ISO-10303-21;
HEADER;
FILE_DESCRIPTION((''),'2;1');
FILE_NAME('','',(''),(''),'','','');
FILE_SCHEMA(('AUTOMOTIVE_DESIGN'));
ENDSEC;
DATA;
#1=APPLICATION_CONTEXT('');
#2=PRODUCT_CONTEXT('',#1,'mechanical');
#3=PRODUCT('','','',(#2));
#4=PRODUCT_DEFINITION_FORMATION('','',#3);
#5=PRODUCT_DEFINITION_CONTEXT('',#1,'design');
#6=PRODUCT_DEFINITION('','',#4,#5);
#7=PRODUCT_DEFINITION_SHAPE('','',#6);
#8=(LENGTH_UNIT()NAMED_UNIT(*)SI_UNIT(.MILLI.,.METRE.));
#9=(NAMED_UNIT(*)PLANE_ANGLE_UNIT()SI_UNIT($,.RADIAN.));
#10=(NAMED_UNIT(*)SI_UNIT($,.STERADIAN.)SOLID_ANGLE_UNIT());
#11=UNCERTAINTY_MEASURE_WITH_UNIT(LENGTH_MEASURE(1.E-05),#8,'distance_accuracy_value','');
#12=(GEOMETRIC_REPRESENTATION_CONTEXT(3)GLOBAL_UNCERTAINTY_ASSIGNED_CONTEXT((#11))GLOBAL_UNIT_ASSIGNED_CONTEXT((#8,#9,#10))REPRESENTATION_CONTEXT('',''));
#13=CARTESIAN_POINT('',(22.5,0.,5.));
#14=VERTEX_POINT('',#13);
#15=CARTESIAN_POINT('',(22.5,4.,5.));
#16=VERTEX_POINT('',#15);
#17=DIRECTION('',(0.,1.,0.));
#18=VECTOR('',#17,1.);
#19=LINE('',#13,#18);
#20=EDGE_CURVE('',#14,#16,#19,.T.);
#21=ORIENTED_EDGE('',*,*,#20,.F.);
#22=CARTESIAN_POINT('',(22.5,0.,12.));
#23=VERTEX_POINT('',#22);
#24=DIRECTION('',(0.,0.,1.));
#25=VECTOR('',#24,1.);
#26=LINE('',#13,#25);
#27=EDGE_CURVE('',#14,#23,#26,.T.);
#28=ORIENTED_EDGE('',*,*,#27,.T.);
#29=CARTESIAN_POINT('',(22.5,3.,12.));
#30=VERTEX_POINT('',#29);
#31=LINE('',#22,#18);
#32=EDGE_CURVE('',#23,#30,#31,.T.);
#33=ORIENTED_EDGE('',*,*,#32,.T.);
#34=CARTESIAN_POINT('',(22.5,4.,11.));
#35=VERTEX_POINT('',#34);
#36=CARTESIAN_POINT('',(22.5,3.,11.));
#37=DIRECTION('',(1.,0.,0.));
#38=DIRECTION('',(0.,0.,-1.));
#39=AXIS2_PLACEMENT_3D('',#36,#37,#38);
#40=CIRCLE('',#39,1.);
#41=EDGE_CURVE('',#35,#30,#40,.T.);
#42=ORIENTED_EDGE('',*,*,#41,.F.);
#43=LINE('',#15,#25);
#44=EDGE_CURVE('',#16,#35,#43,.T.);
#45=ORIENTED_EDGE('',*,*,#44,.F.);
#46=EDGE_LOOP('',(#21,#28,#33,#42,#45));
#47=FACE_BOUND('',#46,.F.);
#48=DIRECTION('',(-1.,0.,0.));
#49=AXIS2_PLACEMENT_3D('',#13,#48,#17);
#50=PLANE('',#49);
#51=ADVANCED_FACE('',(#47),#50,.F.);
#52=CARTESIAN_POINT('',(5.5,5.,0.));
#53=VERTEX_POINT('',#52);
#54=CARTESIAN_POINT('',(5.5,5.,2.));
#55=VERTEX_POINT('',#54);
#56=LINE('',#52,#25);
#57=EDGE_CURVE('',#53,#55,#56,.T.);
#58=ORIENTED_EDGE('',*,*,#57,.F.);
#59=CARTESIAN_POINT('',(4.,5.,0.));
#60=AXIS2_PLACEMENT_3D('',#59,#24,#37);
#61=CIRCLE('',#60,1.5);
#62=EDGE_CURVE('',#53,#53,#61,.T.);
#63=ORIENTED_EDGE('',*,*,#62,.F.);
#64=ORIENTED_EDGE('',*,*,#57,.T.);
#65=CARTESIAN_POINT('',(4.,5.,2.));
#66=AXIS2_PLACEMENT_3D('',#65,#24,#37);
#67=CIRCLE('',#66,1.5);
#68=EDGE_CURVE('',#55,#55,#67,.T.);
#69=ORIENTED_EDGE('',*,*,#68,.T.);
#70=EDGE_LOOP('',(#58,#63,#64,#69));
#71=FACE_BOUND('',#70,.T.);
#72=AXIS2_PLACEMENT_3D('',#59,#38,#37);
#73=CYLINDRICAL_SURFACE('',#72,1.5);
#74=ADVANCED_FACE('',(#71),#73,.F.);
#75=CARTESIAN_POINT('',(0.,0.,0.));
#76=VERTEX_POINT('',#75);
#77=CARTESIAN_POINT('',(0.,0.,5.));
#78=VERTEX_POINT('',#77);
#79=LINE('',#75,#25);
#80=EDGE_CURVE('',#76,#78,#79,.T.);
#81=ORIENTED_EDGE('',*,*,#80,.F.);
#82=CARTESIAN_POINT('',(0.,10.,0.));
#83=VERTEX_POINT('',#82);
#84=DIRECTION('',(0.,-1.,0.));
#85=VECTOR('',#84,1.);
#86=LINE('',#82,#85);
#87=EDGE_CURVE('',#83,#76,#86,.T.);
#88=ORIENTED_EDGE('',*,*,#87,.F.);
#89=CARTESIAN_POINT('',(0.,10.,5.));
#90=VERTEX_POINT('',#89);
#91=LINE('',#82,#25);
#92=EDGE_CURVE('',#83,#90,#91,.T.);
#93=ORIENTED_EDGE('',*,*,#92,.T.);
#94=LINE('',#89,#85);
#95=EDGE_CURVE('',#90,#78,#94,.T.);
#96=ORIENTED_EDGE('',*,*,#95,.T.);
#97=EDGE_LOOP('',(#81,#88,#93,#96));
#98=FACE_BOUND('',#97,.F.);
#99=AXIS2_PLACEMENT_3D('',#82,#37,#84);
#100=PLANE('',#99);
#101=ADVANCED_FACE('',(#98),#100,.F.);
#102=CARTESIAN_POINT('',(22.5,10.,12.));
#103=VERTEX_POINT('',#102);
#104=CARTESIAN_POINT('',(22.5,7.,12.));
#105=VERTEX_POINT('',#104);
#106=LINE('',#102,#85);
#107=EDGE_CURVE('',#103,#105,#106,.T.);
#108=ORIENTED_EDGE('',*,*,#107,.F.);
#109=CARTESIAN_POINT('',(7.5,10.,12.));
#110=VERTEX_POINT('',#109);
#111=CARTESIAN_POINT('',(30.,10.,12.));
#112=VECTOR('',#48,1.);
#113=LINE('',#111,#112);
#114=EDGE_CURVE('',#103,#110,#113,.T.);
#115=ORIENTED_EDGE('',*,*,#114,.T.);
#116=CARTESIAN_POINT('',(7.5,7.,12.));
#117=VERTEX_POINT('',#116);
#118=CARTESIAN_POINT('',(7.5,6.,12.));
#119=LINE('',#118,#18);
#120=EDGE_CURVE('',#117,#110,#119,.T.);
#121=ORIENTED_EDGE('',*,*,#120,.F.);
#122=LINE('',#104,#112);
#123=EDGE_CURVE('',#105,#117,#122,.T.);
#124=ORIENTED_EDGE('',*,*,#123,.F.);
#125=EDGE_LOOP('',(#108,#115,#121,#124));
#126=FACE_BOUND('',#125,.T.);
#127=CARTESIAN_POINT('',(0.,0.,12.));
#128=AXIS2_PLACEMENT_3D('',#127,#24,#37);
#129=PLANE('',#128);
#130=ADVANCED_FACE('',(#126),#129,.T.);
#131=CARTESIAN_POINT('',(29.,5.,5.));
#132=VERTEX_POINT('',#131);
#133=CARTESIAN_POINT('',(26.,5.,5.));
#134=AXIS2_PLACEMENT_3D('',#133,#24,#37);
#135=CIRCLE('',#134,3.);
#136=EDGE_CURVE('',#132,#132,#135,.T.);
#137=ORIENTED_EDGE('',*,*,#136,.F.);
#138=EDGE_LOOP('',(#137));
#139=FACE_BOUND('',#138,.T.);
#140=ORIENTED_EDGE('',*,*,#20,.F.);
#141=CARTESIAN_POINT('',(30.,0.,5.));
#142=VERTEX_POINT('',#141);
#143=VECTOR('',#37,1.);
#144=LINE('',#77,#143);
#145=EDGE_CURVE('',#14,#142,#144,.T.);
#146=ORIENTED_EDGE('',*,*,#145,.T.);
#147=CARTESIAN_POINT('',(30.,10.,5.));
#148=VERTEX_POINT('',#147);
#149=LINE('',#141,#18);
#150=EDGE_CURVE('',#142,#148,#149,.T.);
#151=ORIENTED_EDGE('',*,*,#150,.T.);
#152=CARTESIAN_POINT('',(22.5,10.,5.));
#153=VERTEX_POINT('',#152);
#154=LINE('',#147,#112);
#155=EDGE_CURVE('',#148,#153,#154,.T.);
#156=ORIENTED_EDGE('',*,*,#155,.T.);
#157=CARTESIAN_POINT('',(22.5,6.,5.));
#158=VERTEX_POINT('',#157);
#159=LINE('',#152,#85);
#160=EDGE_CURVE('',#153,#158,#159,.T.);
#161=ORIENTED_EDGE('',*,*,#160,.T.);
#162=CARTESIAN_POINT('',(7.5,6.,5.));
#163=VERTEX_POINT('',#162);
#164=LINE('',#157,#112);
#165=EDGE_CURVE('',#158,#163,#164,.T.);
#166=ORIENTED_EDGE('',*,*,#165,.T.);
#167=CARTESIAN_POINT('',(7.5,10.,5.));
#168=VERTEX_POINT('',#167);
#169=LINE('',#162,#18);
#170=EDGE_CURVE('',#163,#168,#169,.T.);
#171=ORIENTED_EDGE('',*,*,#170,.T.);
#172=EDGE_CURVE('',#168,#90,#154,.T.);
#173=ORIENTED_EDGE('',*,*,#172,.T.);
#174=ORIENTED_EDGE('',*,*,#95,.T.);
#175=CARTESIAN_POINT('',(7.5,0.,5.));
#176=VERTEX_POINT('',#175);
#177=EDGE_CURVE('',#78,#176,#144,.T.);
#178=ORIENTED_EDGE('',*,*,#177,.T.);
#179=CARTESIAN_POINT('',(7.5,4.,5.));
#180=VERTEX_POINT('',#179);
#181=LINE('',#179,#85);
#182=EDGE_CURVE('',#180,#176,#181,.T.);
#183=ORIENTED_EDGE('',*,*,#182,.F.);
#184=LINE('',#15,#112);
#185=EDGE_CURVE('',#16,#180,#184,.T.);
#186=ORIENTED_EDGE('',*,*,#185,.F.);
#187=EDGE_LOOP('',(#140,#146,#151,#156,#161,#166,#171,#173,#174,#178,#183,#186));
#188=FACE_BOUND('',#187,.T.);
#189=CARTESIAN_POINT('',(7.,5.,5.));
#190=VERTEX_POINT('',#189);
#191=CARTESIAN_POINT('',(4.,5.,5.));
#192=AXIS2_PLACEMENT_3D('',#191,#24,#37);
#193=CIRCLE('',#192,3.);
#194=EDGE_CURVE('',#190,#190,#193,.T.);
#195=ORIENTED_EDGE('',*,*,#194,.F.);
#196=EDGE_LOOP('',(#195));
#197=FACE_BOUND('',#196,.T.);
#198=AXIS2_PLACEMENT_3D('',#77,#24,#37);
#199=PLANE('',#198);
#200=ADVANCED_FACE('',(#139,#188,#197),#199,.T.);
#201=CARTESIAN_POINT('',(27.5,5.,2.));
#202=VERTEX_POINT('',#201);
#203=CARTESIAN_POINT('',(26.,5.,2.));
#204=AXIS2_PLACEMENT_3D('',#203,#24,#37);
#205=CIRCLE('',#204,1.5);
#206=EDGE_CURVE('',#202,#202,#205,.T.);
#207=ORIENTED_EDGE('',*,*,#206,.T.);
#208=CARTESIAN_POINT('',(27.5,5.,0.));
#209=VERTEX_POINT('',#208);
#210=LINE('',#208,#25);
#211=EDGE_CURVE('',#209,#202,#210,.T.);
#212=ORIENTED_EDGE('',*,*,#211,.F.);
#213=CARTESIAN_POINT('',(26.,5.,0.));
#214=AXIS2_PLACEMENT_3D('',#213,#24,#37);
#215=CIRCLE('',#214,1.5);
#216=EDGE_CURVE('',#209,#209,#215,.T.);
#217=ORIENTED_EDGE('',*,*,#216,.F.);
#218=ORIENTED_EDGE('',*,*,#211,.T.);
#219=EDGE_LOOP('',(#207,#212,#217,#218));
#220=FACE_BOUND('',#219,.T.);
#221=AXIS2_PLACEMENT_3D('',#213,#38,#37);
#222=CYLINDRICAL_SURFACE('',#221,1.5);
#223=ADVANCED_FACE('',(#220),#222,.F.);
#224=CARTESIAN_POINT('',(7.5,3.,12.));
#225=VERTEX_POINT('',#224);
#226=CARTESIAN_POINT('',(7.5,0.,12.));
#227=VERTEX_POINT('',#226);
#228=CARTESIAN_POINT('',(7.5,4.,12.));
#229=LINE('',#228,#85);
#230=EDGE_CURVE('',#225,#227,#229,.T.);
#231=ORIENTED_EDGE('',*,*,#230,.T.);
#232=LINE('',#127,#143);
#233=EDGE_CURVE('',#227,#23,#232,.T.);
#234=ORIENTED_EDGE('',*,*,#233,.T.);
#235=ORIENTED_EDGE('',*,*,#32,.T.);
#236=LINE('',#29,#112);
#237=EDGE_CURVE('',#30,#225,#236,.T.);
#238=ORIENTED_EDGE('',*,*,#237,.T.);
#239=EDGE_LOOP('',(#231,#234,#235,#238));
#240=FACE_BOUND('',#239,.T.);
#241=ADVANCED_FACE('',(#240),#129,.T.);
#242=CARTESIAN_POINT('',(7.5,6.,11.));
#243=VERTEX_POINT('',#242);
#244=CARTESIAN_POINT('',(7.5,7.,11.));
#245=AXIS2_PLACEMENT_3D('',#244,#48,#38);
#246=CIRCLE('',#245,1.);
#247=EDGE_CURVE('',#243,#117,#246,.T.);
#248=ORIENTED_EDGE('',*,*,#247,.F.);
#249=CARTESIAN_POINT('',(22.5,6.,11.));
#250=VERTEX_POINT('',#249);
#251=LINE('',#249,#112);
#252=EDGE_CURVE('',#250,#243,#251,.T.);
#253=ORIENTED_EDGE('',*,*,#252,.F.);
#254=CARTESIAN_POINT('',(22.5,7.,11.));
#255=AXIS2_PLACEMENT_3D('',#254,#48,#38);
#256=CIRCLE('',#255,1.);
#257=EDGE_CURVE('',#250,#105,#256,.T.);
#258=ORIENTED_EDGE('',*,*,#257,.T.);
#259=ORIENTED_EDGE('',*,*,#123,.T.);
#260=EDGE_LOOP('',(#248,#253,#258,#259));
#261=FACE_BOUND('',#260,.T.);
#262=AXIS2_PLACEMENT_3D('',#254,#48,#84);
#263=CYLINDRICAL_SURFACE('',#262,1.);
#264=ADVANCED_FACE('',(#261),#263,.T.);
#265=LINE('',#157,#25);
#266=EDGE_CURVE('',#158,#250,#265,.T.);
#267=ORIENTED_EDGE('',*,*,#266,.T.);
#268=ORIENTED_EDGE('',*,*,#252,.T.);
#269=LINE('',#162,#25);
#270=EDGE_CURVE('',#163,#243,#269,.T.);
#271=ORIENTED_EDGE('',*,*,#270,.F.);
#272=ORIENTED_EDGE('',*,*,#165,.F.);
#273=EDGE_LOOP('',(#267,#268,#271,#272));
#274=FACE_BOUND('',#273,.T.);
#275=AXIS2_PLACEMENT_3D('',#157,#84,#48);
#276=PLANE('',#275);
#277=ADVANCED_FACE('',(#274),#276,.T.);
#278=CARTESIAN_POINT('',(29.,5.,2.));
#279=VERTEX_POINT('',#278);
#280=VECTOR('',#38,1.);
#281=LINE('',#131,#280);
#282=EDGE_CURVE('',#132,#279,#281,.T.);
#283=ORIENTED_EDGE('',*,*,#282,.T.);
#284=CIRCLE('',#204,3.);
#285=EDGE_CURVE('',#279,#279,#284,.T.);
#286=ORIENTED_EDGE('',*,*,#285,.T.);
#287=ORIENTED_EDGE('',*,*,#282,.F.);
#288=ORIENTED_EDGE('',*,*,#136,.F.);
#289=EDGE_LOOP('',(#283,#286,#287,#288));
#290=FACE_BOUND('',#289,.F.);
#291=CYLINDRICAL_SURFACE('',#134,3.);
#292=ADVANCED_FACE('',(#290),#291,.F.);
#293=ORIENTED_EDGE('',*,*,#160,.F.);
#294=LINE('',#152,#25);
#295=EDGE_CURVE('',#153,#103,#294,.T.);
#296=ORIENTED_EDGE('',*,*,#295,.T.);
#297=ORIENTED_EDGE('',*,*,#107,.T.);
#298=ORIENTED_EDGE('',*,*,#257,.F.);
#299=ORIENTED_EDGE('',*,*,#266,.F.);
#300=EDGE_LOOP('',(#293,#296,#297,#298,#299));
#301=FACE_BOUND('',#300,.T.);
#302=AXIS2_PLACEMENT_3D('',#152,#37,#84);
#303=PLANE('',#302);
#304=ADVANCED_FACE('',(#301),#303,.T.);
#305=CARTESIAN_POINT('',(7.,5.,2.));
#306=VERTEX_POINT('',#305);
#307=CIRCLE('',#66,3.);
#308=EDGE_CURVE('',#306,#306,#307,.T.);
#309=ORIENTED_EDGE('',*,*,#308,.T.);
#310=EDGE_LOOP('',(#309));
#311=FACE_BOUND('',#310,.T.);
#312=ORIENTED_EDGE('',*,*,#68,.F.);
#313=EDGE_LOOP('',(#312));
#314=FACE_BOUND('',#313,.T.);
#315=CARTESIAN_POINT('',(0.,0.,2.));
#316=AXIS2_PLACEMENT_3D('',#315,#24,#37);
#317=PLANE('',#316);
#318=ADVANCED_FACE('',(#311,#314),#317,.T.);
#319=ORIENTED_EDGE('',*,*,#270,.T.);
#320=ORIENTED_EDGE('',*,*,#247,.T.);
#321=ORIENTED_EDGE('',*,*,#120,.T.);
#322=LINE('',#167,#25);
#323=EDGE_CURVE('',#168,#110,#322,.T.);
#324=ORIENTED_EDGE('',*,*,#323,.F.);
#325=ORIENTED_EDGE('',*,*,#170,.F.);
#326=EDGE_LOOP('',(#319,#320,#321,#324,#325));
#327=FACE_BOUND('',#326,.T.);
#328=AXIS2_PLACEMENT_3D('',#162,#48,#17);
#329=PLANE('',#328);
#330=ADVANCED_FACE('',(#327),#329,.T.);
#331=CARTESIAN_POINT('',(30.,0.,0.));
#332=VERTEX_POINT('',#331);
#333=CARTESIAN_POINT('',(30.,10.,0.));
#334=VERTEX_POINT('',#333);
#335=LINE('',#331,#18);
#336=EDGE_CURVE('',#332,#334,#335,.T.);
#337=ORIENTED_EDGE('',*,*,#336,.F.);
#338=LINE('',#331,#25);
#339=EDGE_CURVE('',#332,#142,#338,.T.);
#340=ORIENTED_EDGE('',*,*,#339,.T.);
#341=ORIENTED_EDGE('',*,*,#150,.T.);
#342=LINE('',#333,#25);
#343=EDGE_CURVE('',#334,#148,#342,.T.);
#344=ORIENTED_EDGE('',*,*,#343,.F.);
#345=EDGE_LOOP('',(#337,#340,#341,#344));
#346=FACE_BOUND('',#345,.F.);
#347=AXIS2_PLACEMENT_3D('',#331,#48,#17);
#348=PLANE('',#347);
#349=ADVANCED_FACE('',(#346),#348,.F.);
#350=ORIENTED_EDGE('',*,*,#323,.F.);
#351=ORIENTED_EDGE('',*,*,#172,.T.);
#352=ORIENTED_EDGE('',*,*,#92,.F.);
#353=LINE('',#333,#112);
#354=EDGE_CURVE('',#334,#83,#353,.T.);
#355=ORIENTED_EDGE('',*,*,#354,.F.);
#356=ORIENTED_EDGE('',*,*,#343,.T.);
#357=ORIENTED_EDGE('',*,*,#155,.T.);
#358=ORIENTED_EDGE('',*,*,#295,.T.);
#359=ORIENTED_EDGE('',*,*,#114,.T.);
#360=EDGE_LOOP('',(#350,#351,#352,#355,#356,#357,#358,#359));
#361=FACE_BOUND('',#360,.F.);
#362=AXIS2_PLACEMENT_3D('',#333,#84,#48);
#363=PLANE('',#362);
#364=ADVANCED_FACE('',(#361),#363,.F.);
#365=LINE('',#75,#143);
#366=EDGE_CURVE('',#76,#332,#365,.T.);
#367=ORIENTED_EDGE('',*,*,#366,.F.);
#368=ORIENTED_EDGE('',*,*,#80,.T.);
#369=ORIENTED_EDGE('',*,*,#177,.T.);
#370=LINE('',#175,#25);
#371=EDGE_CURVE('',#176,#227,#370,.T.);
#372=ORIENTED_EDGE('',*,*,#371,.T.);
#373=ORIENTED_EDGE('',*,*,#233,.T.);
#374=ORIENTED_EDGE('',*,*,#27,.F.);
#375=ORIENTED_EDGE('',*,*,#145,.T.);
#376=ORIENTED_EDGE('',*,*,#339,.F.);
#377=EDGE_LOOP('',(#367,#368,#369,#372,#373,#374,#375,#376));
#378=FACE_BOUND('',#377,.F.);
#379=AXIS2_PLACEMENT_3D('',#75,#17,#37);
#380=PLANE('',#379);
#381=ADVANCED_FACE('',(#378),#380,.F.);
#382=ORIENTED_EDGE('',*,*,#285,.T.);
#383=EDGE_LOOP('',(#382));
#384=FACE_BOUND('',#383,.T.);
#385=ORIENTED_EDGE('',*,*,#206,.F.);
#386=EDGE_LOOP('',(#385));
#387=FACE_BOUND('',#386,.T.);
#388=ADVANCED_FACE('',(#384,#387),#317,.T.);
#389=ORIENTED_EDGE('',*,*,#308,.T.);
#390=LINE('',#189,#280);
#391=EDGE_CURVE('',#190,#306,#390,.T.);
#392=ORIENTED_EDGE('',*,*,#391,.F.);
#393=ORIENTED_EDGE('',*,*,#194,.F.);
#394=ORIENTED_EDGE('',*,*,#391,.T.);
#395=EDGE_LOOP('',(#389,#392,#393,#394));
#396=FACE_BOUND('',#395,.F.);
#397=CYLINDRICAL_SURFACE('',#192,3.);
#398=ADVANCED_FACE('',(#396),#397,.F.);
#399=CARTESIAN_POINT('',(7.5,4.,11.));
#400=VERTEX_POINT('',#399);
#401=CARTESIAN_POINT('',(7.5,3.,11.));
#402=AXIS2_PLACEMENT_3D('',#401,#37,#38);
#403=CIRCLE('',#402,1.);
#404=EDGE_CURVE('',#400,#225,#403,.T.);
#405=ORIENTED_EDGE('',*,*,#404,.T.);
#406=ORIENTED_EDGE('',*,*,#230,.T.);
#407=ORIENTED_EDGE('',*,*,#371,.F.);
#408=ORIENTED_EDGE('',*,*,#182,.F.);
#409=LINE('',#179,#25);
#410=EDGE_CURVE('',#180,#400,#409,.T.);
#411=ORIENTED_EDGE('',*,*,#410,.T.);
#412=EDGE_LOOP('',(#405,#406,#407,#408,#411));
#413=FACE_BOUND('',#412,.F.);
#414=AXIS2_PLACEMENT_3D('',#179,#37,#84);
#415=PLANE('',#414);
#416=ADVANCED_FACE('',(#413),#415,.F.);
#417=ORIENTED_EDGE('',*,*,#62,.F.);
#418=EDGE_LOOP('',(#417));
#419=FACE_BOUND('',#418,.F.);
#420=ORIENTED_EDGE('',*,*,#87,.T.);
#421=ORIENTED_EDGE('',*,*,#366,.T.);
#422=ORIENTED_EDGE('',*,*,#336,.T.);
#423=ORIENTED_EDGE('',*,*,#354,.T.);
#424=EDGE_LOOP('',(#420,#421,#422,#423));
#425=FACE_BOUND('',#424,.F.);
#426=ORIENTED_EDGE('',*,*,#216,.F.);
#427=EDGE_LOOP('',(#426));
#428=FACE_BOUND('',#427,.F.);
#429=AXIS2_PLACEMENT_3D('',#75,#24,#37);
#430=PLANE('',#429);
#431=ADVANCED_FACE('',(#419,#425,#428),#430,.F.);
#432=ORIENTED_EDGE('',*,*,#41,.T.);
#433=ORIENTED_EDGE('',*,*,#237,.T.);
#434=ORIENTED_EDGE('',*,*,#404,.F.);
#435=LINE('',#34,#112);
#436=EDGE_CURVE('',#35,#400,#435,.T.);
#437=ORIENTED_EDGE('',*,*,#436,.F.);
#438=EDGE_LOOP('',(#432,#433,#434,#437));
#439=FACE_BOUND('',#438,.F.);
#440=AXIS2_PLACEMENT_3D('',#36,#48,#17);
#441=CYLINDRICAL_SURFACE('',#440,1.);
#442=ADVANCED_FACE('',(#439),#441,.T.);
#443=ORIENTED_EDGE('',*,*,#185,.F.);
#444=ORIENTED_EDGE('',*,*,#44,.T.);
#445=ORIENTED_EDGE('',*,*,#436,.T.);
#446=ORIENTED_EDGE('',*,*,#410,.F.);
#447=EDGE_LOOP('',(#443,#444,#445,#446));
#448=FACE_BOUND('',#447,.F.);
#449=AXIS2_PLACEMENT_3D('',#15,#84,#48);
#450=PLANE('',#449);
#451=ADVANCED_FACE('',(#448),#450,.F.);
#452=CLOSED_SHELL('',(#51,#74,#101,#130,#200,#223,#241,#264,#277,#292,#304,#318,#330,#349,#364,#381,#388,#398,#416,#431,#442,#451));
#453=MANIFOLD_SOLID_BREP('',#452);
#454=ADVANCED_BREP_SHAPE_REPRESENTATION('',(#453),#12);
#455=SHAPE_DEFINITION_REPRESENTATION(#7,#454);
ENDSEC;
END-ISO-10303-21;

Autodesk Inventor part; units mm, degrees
ref_plane "YZ Plane" through (0, 0, 0) normal (1, 0, 0) x (0, 1, 0)
ref_plane "XZ Plane" through (0, 0, 0) normal (0, 1, 0) x (-1, 0, 0)
ref_plane "XY Plane" through (0, 0, 0) normal (0, 0, 1) x (1, 0, 0)
sketch "Sketch1" plane through (0, 0, 0) normal (0, 0, 1) x (1, 0, 0)
  line L0 (0, 0) -> (30, 0)
  line L1 (30, 0) -> (30, 10)
  line L2 (30, 10) -> (0, 10)
  line L3 (0, 10) -> (0, 0)
  circle A0 centre (4, 5) radius 1.5
  circle A1 centre (26, 5) radius 1.5
  point P0 (0, 5)
  dimension "d0" = 30
  dimension "d1" = 10
  dimension "d22" = 3
  dimension "d23" = 3
  dimension "d24" = 4
  dimension "d25" = 4
extrude "Extrusion1" add sketch "Sketch1" along normal blind 5
sketch "Sketch2" plane through (0, 0, 5) normal (0, 0, 1) x (1, 0, 0)
  line L0 (30, 10) -> (0, 10) projected
  line L1 (0, 0) -> (30, 0) projected
  line L2 (7.5, 10) -> (22.5, 10)
  line L3 (22.5, 10) -> (22.5, 6)
  line L4 (22.5, 6) -> (7.5, 6)
  line L5 (7.5, 6) -> (7.5, 10)
  line L6 (7.5, 0) -> (22.5, 0)
  line L7 (22.5, 0) -> (22.5, 4)
  line L8 (22.5, 4) -> (7.5, 4)
  line L9 (7.5, 4) -> (7.5, 0)
  point P0 (15, 10)
  point P1 (15, 10)
  point P2 (15, 0)
  point P3 (15, 0)
  dimension "d14" = 15
  dimension "d15" = 15
  dimension "d31" = 2
  dimension "d32" = 4
  dimension "d33" = 4
extrude "Extrusion2" add sketch "Sketch2" along normal blind 7
fillet "Fillet1" radius 1 2 edges at (15, 6, 12) (15, 4, 12)
sketch "Sketch3" plane through (0, 0, 5) normal (0, 0, 1) x (1, 0, 0)
  circle A0 centre (4, 5) radius 1.5 projected
  circle A1 centre (26, 5) radius 1.5 projected
  circle A2 centre (4, 5) radius 3
  circle A3 centre (26, 5) radius 3
  point P0 (0, 0)
  dimension "d35" = 6
  dimension "d36" = 6
extrude "Extrusion3" cut sketch "Sketch3" against normal blind 3
equation "\"d15\" = d14"
equation "\"d32\" = d33"
properties part number "GT2 grip n roll"
